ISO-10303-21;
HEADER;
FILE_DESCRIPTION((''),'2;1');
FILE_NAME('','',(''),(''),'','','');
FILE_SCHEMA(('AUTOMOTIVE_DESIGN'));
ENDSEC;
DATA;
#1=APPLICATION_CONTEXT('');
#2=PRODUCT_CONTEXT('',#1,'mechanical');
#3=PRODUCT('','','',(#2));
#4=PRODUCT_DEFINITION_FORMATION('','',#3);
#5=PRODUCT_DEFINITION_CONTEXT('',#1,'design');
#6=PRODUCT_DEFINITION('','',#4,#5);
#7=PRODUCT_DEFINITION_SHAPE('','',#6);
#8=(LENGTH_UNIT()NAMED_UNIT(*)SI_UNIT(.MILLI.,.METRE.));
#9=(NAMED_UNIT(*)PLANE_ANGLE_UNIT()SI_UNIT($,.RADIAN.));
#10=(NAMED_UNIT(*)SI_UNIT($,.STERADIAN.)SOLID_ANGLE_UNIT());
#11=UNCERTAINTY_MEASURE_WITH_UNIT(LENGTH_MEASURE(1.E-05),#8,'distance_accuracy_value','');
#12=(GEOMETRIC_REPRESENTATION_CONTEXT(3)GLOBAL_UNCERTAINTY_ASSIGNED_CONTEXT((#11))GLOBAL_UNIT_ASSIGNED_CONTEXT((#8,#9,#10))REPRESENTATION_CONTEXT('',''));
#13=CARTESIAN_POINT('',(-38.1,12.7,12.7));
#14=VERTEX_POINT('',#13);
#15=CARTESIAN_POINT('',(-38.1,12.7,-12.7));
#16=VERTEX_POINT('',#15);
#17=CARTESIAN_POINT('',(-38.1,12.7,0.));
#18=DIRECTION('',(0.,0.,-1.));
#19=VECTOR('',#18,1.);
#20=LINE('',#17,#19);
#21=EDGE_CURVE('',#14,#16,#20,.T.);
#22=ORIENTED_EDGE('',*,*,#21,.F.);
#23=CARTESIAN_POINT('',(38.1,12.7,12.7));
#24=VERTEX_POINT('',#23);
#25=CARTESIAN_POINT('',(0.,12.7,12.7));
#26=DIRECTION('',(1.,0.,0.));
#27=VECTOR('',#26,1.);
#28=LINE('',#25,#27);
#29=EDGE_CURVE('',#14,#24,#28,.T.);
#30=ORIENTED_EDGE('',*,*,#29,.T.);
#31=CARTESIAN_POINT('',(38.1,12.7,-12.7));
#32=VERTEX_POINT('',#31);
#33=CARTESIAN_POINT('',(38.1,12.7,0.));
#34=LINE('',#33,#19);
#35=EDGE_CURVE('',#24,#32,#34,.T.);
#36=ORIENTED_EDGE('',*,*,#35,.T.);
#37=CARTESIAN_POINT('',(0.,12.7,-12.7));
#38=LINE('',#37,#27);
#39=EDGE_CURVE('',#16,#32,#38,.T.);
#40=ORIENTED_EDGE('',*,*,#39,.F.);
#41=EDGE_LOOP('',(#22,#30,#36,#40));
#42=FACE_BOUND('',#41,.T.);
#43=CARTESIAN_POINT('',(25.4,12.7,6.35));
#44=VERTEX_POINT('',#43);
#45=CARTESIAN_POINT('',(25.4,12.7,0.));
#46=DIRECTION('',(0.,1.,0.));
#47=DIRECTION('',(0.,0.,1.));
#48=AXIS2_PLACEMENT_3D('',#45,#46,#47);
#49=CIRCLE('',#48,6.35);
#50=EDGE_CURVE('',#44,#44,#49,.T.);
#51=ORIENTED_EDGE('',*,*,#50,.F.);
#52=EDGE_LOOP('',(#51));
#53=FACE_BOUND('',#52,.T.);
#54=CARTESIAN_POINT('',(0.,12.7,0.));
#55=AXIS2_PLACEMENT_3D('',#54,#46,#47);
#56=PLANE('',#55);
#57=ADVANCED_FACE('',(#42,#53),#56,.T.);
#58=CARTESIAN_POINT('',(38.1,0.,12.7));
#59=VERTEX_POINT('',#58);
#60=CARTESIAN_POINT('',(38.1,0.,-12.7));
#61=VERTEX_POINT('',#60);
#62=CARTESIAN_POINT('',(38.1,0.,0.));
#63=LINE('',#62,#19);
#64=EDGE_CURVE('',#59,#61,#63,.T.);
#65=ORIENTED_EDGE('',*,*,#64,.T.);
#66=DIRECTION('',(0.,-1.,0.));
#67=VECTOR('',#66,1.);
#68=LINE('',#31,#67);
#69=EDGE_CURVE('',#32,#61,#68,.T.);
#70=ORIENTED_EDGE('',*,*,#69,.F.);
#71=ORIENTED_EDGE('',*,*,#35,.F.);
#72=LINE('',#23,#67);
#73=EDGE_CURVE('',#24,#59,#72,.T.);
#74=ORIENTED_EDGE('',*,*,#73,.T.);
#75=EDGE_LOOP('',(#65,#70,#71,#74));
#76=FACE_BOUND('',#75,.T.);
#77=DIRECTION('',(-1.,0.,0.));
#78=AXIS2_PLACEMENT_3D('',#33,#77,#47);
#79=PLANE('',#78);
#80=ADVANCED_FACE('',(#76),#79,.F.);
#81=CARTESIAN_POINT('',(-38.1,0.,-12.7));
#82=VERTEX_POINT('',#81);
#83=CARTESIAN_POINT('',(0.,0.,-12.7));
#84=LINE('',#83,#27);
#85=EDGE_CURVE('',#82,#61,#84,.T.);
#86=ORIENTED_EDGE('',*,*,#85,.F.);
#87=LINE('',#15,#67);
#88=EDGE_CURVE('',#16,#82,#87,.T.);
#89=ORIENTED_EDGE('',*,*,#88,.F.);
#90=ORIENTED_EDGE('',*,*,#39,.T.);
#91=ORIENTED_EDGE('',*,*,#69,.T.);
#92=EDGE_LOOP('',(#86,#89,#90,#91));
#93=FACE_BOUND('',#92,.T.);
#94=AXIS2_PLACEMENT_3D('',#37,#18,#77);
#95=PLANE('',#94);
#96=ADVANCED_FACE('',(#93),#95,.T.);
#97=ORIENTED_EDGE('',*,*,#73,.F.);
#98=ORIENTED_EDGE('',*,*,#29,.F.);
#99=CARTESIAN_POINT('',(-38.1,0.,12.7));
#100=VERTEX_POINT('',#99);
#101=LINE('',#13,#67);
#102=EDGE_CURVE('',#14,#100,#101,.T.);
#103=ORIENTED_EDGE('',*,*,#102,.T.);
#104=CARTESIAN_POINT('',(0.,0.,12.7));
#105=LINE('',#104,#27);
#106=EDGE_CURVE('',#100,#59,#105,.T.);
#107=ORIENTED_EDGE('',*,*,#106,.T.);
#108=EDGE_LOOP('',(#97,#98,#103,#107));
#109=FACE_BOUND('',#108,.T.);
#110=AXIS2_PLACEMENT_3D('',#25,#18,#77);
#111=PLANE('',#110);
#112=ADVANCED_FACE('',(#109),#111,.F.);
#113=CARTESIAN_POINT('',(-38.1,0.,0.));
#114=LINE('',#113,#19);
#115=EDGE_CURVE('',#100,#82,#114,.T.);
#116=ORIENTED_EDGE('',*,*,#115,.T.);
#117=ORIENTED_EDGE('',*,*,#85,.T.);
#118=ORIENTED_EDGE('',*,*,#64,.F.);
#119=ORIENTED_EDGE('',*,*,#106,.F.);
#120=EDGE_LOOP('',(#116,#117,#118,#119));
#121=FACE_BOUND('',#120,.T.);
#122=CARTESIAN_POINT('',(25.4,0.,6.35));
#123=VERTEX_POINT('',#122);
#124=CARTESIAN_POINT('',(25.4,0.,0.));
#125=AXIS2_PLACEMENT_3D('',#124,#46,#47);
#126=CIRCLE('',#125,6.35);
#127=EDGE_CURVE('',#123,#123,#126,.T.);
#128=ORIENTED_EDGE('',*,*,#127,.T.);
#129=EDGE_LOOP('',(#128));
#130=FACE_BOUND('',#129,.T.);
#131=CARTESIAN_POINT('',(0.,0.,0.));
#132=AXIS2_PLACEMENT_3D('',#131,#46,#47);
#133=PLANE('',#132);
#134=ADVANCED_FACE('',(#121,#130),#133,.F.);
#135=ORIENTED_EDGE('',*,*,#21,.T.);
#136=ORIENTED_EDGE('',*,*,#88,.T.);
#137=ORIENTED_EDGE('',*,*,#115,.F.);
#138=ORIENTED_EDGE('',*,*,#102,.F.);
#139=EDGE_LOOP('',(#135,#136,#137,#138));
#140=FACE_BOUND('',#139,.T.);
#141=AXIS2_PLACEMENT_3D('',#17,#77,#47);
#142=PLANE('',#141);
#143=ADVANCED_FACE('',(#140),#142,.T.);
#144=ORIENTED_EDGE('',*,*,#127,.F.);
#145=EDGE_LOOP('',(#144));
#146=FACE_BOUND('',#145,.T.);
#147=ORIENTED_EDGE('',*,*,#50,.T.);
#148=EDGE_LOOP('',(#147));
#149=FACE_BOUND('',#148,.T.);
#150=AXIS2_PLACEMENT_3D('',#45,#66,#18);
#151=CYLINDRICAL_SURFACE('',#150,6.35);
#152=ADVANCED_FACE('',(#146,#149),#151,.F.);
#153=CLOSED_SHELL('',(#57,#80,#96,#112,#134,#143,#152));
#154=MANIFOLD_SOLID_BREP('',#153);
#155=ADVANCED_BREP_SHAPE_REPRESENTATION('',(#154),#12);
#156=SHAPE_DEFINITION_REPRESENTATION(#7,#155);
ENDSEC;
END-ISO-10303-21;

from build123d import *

# Parameters (mm, degrees)
SKETCH1_W           = 76.2
SKETCH1_H           = 25.4
SKETCH1_R           = 6.35
BOSS_EXTRUDE1_DEPTH = 12.7


with BuildPart() as part:
    # Sketch1 → Boss-Extrude1 (new body)
    with BuildSketch(Plane(origin=(0, 0, 0), x_dir=(1, 0, 0), z_dir=(0, 1, 0))):
        Rectangle(SKETCH1_W, SKETCH1_H)
        with Locations(Location((25.4, 0, 0), (0, 0, 270))):
            Circle(SKETCH1_R, mode=Mode.SUBTRACT)
    extrude(amount=BOSS_EXTRUDE1_DEPTH)


solid = part.part
